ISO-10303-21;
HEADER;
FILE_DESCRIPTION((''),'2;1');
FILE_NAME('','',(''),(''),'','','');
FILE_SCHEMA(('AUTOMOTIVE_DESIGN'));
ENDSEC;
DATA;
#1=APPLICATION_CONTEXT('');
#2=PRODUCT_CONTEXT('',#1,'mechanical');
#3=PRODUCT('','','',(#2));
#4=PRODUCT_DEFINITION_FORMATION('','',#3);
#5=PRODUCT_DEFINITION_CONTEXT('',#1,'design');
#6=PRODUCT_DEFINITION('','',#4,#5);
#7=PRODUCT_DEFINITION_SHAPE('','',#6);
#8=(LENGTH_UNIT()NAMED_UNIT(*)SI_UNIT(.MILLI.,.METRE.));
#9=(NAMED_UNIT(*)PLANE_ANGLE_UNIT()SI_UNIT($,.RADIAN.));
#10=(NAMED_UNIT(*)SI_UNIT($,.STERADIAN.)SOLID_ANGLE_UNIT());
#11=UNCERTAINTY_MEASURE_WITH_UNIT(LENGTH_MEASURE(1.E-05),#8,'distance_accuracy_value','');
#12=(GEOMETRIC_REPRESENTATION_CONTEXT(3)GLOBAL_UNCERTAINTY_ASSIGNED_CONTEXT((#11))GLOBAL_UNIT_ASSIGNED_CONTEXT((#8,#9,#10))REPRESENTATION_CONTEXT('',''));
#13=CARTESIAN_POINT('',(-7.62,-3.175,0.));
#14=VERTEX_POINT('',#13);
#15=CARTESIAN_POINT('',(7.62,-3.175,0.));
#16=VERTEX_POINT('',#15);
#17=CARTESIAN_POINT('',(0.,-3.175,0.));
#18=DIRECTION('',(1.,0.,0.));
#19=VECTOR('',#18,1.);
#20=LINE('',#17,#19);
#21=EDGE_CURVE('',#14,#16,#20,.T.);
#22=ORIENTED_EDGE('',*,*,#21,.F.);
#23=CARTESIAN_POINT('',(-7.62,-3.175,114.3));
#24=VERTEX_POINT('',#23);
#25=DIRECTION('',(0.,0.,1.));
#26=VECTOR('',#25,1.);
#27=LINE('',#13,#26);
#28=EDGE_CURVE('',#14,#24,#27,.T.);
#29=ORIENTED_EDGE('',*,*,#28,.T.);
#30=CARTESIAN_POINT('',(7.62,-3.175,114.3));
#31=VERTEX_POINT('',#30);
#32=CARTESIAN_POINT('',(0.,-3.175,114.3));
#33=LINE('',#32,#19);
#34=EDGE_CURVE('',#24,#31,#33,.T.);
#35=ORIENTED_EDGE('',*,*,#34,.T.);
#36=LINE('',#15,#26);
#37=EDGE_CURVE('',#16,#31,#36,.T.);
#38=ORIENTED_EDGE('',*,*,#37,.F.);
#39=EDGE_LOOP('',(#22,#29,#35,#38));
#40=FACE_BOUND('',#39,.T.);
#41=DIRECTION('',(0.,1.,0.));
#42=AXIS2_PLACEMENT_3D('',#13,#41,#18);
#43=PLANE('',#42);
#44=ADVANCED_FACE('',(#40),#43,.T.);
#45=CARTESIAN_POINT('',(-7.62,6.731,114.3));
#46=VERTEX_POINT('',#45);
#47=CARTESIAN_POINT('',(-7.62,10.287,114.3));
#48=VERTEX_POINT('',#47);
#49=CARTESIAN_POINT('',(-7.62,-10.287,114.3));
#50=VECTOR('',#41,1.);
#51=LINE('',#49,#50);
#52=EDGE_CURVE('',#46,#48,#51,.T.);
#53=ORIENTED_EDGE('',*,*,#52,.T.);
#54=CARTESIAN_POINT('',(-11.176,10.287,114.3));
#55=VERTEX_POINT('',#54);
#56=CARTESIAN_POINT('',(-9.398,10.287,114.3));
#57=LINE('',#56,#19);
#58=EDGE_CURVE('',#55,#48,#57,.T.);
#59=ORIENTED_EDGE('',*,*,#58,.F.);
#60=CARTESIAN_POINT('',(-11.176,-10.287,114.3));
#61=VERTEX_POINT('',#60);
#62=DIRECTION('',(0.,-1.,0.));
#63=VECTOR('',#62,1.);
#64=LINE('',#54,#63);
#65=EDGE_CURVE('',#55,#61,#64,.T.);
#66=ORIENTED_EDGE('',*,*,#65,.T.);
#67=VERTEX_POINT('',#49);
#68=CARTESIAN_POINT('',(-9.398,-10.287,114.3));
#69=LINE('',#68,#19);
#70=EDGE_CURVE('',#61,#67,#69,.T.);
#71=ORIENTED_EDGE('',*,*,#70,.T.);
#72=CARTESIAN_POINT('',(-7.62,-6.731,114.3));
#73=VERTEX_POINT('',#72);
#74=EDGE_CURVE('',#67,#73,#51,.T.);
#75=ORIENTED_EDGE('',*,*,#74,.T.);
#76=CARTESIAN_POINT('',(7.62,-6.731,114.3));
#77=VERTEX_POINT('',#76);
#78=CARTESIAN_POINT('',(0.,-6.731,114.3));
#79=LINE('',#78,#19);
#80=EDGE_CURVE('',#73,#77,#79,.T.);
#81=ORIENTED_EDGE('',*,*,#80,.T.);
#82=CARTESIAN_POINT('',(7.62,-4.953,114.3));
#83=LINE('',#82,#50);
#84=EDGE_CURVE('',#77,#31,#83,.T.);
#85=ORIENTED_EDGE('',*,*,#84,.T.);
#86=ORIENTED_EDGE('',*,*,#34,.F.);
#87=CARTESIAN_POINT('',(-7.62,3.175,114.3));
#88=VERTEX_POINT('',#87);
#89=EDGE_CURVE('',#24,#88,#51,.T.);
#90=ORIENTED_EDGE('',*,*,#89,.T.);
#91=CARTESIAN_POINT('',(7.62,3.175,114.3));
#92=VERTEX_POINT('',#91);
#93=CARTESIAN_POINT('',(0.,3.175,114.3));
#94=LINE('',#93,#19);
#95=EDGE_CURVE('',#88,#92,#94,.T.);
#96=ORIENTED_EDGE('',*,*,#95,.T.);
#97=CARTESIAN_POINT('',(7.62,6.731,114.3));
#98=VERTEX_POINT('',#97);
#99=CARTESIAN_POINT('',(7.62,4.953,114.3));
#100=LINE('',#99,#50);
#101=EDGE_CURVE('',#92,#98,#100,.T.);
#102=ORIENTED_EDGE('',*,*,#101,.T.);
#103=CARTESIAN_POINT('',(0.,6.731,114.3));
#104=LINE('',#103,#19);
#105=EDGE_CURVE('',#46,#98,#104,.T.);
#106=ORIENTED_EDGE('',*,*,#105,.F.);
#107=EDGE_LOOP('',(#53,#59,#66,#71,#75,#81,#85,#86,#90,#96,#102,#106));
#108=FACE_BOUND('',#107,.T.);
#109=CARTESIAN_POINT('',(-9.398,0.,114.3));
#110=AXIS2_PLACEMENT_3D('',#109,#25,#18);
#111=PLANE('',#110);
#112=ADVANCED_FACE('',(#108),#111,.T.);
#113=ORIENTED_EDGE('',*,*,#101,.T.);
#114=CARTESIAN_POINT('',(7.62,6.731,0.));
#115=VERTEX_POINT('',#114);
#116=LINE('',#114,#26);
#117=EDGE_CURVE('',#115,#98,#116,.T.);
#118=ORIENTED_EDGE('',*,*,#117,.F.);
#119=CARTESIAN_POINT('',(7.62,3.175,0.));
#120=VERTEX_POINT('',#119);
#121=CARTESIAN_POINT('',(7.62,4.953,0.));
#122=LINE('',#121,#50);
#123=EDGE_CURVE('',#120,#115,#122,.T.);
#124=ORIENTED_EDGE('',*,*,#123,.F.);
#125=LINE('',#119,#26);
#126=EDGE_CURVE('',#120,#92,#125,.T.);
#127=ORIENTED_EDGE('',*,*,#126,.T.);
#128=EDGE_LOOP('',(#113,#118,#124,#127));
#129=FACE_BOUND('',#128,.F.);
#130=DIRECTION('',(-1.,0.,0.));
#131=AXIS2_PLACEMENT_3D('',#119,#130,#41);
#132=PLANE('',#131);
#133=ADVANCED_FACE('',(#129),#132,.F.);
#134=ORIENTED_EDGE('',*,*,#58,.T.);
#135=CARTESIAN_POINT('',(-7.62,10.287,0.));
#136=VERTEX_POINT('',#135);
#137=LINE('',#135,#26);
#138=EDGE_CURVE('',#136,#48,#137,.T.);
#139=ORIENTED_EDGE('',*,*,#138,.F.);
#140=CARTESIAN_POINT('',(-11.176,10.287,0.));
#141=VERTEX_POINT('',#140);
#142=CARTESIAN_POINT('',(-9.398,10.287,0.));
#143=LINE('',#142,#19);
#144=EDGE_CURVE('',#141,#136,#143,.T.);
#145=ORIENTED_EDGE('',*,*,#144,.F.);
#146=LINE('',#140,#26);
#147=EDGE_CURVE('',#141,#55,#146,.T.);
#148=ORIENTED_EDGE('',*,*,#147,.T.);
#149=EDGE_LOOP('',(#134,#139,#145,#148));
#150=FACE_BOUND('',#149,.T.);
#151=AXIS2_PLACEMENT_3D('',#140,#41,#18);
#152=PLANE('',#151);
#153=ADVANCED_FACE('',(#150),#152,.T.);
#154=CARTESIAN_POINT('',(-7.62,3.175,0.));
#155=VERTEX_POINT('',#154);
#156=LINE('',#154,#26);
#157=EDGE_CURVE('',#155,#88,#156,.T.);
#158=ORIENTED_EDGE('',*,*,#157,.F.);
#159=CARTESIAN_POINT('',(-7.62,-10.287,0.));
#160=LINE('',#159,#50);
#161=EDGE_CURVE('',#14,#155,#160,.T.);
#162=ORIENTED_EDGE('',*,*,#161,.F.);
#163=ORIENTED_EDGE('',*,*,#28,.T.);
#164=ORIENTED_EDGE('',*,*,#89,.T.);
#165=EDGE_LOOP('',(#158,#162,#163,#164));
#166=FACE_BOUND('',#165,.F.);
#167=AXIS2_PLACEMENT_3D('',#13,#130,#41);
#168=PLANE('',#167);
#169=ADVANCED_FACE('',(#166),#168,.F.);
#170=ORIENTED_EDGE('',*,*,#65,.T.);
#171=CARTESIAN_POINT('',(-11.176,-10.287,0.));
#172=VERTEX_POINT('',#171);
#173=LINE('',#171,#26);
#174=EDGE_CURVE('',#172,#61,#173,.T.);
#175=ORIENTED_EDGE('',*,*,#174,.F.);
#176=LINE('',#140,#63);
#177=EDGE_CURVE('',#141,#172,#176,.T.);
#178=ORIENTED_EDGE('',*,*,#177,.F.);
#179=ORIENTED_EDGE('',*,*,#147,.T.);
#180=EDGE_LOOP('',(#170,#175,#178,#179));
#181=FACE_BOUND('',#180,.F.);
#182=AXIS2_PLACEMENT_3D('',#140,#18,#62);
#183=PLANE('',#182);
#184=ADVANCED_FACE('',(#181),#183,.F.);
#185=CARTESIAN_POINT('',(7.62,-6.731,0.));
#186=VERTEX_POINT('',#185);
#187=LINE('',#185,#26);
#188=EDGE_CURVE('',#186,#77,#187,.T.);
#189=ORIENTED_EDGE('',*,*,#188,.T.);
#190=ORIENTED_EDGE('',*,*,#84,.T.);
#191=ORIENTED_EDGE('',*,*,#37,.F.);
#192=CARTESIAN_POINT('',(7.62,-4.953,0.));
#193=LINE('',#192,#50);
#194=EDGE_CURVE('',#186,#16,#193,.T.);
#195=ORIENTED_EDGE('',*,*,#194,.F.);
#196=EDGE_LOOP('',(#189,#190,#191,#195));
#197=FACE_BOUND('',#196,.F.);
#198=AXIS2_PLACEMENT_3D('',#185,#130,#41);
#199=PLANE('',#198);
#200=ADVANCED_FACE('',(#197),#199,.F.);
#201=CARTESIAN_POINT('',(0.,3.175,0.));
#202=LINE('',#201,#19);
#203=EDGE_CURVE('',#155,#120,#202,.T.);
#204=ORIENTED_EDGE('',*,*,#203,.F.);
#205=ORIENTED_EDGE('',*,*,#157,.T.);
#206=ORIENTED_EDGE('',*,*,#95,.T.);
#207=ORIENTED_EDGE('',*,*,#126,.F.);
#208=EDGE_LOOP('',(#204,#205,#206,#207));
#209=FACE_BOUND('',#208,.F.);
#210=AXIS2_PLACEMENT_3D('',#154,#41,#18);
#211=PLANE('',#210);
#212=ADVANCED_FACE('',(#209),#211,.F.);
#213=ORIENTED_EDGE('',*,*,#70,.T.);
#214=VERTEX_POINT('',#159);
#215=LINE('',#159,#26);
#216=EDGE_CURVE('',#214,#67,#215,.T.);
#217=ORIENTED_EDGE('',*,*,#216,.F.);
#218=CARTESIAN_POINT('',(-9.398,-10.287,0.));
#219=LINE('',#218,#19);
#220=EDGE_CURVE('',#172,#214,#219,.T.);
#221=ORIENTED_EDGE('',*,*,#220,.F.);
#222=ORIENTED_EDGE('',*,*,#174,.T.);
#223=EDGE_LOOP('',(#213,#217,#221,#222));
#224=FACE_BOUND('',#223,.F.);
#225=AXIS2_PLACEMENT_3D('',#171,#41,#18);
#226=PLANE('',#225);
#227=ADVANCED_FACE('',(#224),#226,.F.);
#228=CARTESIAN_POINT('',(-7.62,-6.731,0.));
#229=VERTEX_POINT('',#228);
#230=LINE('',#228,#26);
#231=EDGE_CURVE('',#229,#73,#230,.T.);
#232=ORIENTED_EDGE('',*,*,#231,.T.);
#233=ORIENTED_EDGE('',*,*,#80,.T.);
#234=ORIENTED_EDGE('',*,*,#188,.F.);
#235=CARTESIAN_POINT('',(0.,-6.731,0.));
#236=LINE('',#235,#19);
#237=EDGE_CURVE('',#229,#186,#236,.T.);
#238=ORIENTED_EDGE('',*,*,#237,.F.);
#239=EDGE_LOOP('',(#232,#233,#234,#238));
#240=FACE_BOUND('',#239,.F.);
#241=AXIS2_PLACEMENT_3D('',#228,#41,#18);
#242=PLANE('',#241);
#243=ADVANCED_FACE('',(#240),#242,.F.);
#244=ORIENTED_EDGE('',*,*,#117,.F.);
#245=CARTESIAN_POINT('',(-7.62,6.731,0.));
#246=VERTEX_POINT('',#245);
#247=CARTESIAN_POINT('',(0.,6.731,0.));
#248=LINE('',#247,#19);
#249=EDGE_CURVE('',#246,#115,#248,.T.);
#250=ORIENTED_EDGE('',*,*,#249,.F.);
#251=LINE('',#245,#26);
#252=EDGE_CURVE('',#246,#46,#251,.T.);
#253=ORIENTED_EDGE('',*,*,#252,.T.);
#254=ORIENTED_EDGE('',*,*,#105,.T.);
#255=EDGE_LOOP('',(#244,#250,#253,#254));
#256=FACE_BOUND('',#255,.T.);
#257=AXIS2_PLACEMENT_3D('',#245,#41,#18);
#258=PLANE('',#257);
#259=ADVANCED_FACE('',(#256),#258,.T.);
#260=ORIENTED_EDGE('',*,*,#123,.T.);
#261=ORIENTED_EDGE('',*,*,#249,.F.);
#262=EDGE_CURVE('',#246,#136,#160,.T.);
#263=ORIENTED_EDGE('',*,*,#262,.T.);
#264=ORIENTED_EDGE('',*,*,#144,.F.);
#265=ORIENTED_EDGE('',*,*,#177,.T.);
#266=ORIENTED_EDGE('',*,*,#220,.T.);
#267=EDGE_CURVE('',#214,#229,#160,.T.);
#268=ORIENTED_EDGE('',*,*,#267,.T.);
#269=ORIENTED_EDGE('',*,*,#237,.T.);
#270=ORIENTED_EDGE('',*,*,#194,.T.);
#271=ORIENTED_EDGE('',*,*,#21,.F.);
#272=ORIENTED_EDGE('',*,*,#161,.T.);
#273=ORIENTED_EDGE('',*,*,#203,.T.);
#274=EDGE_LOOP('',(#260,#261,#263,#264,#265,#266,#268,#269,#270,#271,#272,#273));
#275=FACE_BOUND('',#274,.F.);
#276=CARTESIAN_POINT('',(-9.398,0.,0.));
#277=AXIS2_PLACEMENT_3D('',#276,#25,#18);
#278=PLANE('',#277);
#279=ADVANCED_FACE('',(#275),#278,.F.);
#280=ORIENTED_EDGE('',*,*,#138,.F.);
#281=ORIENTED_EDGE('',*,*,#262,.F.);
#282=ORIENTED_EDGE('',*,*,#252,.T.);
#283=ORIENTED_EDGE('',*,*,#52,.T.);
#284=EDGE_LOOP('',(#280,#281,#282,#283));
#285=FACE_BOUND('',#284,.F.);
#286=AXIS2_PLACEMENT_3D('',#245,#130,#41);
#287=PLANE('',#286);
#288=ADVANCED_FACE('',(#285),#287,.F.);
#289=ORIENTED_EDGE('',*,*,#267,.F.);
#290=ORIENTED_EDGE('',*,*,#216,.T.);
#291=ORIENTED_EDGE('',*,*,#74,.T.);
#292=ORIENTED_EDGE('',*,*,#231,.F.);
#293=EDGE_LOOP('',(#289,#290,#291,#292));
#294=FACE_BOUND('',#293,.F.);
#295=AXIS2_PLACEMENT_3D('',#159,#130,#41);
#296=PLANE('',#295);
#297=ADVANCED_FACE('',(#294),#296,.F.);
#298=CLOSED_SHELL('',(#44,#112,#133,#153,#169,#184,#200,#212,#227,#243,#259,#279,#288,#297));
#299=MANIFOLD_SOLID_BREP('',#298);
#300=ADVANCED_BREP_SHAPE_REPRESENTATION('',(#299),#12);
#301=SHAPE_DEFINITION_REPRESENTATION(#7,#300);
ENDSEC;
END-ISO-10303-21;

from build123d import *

# Parameters (mm, degrees)
F0_W     = 3.556
F0_H     = 3.556
F0_W_2   = 15.24
F1_DEPTH = 114.3


with BuildPart() as f1:
    # F0 (on Top) → F1 (new body)
    with BuildSketch(Plane.XY):
        Polygon((-7.62, -3.175), (-7.62, 3.175), (-7.62, 6.731), (-11.176, 6.731), (-11.176, -6.731), (-7.62, -6.731), align=None)
        with Locations((-9.398, 8.509)):
            Rectangle(F0_W, F0_H)
        with Locations((-9.398, -8.509)):
            Rectangle(F0_W, F0_H)
        with Locations((0, -4.953)):
            Rectangle(F0_W_2, F0_H)
        with Locations((0, 4.953)):
            Rectangle(F0_W_2, F0_H)
    extrude(amount=F1_DEPTH)


solid = f1.part
